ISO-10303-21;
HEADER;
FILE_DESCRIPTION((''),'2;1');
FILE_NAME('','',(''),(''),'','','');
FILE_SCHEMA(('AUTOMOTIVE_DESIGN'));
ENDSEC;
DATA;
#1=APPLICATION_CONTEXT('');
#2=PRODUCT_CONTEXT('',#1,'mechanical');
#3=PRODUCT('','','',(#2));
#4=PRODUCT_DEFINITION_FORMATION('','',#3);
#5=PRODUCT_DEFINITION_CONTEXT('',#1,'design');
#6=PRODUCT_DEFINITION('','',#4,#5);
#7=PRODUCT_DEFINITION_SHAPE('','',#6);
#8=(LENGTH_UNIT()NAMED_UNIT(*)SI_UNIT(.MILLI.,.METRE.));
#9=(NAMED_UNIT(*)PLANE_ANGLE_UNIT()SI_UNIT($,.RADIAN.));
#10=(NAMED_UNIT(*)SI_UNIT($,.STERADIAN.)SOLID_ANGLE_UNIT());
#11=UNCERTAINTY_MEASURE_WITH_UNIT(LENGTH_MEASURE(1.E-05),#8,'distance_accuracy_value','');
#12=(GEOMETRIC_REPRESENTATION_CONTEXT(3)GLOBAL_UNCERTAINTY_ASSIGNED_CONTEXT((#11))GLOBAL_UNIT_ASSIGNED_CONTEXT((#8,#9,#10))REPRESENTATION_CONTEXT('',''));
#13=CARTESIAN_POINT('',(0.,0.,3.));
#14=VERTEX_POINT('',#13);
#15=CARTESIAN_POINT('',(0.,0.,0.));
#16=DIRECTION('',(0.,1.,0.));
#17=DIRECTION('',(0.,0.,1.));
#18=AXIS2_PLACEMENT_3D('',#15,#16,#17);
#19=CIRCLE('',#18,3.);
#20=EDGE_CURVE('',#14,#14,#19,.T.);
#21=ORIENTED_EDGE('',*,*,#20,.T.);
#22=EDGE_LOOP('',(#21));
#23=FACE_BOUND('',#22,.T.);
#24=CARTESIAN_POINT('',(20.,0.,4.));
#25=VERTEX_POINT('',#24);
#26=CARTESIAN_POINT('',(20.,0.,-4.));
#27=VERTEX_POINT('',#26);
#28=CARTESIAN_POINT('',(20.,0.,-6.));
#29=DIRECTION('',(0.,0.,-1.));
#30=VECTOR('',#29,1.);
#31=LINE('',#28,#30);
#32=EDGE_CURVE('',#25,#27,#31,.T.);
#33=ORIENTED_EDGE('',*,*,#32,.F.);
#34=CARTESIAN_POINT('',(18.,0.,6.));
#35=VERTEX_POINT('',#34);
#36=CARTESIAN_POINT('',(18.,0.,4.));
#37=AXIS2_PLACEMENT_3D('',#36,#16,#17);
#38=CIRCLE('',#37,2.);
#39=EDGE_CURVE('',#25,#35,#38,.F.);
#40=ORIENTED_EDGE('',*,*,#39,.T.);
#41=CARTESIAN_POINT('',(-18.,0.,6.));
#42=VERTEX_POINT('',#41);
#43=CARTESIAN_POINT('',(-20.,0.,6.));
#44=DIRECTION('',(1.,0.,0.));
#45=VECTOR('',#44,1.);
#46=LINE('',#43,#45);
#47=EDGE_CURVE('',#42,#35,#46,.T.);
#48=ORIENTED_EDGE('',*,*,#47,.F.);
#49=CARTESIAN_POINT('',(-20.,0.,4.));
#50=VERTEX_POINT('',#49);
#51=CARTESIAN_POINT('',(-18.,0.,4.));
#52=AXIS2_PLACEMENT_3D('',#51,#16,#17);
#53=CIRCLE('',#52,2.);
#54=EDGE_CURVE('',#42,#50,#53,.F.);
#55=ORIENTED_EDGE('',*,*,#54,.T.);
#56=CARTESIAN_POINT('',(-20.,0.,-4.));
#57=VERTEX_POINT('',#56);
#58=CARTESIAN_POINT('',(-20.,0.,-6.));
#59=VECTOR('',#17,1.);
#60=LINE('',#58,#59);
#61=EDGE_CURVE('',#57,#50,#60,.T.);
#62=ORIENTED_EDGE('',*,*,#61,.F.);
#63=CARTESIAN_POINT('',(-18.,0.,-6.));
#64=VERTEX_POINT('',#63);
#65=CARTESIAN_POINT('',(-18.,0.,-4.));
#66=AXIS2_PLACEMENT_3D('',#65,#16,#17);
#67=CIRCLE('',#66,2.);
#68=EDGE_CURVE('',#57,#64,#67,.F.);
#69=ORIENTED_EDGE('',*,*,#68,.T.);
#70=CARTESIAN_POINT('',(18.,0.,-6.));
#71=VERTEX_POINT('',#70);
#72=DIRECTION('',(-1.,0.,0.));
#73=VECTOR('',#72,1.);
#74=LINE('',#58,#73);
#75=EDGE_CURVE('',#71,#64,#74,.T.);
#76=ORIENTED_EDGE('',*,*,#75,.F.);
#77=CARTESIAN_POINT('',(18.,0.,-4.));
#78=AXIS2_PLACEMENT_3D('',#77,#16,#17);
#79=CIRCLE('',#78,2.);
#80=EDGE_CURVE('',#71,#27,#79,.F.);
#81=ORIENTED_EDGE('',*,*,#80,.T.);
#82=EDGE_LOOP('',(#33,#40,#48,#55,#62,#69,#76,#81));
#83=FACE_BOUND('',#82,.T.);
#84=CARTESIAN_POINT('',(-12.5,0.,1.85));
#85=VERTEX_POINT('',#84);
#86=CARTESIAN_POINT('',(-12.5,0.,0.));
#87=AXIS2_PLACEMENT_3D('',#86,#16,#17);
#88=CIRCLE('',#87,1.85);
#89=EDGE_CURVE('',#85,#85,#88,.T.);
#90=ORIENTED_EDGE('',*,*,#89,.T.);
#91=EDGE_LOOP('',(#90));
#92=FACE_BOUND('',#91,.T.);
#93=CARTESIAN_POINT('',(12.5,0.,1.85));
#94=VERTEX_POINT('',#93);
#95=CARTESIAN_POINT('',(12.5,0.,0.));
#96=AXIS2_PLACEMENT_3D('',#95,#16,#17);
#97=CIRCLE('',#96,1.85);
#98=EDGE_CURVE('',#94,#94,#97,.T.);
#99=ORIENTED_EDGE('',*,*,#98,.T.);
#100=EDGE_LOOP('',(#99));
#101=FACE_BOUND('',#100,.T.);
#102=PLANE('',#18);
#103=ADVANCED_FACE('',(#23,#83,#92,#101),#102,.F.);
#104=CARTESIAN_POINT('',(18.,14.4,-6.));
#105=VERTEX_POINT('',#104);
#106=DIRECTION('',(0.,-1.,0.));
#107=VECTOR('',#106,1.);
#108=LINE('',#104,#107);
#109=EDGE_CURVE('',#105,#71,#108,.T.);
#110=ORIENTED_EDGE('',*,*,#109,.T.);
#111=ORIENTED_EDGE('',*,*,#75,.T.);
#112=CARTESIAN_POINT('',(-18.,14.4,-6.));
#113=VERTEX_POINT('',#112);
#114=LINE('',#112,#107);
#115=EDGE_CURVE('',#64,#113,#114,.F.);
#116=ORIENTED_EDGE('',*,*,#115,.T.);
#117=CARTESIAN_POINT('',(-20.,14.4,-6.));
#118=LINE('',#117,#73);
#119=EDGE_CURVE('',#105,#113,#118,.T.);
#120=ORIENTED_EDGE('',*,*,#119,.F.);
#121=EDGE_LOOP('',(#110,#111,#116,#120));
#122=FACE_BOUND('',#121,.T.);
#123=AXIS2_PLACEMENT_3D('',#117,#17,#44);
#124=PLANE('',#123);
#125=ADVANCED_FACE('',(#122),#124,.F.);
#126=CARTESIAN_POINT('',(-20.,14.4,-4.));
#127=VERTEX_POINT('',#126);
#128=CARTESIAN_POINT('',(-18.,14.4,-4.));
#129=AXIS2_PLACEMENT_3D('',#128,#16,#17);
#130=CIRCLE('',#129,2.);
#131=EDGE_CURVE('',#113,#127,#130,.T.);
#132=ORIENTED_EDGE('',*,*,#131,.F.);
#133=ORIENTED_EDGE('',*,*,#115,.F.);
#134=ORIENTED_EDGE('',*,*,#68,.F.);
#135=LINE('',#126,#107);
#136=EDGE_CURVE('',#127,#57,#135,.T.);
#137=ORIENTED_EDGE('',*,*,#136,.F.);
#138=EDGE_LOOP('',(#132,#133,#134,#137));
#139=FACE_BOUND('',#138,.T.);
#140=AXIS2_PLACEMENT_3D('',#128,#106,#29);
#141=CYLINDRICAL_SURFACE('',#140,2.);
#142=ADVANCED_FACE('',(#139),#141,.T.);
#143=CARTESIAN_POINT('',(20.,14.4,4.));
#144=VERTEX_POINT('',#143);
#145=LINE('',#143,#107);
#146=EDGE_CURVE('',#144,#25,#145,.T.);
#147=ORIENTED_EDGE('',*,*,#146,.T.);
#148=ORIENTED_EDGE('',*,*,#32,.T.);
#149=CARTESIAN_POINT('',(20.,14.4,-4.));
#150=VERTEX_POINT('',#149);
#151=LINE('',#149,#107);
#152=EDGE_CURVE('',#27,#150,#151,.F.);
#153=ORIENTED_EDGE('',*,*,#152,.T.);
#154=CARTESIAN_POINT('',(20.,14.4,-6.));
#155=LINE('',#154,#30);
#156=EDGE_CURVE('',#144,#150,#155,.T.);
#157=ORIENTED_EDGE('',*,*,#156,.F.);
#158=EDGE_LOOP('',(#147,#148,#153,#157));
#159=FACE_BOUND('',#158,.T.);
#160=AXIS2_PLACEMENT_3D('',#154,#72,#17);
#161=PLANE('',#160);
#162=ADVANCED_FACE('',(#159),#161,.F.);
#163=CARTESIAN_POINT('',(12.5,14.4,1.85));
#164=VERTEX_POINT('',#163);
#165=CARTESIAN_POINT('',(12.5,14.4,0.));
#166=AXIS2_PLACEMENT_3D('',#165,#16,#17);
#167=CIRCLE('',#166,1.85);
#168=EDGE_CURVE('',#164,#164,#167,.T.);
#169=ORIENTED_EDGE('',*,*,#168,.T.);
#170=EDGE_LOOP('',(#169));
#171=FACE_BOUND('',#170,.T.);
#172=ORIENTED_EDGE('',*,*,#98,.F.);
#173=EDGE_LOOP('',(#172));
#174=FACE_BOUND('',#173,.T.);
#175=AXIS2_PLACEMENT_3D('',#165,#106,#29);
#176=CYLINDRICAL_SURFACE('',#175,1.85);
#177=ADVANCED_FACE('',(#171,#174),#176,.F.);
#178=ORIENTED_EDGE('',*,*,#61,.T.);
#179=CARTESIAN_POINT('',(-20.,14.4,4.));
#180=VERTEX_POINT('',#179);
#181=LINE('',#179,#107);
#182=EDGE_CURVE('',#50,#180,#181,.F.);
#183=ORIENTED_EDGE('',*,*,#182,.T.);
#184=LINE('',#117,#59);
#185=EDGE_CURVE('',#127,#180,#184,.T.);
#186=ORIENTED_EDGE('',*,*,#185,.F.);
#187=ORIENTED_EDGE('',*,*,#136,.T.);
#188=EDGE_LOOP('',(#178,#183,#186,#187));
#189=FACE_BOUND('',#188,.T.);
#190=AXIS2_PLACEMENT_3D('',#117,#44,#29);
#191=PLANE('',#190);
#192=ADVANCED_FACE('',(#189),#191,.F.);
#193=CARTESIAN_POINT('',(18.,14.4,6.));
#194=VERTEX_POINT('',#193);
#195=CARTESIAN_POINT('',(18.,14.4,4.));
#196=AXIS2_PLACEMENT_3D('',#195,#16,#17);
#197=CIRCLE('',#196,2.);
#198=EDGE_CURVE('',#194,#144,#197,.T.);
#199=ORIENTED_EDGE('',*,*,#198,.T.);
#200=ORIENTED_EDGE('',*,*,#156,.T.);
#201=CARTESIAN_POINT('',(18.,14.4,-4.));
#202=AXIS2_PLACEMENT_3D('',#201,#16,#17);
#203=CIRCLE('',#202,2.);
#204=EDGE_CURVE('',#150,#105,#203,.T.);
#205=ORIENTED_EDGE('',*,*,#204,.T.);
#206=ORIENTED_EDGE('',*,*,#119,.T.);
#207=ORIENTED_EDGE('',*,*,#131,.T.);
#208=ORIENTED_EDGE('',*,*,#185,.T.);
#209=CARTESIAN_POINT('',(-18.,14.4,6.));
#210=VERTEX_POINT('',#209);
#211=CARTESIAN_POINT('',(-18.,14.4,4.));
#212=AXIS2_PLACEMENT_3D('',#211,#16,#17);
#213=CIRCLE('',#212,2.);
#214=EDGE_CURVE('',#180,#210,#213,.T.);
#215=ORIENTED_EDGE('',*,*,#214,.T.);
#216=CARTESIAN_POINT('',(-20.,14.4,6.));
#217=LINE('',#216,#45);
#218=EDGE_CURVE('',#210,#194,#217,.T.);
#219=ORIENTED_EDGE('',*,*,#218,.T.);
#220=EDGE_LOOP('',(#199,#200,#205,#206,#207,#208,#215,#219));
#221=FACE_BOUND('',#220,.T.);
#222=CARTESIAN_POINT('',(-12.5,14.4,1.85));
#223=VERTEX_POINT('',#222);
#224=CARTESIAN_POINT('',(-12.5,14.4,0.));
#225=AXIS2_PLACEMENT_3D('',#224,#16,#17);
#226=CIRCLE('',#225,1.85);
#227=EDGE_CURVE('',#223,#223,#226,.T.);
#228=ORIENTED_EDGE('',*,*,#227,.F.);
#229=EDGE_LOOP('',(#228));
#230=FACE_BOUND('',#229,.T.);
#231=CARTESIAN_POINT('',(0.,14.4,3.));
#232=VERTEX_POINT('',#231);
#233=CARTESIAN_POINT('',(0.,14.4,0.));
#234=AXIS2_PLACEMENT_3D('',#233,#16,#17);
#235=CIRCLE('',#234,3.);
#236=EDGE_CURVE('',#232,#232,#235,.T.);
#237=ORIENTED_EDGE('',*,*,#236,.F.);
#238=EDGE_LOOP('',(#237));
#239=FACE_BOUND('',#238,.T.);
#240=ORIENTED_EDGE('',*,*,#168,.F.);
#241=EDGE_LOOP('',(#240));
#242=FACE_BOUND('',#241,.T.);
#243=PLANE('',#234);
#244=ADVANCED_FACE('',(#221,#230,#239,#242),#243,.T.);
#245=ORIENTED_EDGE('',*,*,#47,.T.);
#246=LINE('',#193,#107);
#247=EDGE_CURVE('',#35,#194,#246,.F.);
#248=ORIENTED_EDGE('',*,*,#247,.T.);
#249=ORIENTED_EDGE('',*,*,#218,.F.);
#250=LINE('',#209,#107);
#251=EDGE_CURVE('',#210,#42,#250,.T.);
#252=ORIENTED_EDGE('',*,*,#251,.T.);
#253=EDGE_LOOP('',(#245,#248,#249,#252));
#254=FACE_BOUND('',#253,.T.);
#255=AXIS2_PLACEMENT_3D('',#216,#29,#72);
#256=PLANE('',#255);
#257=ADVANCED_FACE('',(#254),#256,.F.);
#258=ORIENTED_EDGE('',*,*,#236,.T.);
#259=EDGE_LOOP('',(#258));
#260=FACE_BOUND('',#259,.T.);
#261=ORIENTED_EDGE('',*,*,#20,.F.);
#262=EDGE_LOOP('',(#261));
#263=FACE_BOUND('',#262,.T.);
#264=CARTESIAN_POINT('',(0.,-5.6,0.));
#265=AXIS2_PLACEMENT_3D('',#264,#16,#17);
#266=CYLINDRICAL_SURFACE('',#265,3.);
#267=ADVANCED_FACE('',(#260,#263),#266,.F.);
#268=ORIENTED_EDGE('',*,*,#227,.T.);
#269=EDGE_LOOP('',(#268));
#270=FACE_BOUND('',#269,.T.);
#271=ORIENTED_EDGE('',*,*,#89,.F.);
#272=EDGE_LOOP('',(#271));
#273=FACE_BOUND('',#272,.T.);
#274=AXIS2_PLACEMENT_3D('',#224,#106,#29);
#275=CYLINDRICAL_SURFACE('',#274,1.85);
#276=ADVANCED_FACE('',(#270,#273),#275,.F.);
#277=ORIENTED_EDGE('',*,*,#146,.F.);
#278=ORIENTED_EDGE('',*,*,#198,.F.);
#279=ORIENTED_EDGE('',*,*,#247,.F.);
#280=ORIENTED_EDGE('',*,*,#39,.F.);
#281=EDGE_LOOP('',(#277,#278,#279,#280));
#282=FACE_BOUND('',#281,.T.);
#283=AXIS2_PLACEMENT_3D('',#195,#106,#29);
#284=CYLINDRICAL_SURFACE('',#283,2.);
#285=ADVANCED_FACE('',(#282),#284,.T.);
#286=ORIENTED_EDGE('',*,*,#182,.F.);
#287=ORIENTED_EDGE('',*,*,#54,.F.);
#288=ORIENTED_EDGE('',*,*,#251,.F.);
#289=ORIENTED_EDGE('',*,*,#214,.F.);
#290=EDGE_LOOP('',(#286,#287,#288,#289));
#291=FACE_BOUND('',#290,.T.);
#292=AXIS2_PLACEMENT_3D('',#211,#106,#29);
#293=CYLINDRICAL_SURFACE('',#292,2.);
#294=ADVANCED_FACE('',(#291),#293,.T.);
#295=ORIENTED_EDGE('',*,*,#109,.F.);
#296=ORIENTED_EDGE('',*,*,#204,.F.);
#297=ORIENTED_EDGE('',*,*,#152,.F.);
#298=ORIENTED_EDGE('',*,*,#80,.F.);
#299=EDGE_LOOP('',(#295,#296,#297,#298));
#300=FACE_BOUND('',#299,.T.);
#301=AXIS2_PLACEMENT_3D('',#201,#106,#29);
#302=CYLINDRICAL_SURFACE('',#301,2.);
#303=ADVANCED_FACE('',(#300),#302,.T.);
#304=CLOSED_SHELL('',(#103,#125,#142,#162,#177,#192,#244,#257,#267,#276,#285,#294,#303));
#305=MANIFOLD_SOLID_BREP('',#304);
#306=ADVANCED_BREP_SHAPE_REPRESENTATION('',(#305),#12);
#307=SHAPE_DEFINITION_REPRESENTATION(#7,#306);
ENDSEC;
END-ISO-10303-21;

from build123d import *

# Parameters (mm, degrees)
SKETCH_1_W          = 40
SKETCH_1_H          = 12
SKETCH_1_R          = 1.85
EXTRUDE_1_DEPTH     = 14.4
FILLET_1_R          = 2
SKETCH_2_R          = 3
CUT_EXTRUDE_1_DEPTH = 20


with BuildPart() as part:
    # 草图1 → 凸台-拉伸1 (new body)
    with BuildSketch(Plane(origin=(0, 0, 0), x_dir=(1, 0, 0), z_dir=(0, 1, 0))):
        Rectangle(SKETCH_1_W, SKETCH_1_H)
        with Locations(Location((-12.5, 0, 0), (0, 0, 270))):
            Circle(SKETCH_1_R, mode=Mode.SUBTRACT)
        with Locations(Location((12.5, 0, 0), (0, 0, 270))):
            Circle(SKETCH_1_R, mode=Mode.SUBTRACT)
    extrude(amount=EXTRUDE_1_DEPTH)

    # 圆角1
    fillet_1_edges = [part.edges().sort_by_distance(p)[0] for p in [
        (20, 7.2, 6),
        (-20, 7.2, 6),
        (-20, 7.2, -6),
        (20, 7.2, -6),
    ]]
    fillet(fillet_1_edges, radius=FILLET_1_R)

    # 草图2 → 切除-拉伸1 (cut)
    with BuildSketch(Plane(origin=(0, 14.4, 0), x_dir=(1, 0, 0), z_dir=(0, 1, 0))):
        with Locations(Location((0, 0, 0), (0, 0, 270))):
            Circle(SKETCH_2_R)
    extrude(amount=-CUT_EXTRUDE_1_DEPTH, mode=Mode.SUBTRACT)


solid = part.part
